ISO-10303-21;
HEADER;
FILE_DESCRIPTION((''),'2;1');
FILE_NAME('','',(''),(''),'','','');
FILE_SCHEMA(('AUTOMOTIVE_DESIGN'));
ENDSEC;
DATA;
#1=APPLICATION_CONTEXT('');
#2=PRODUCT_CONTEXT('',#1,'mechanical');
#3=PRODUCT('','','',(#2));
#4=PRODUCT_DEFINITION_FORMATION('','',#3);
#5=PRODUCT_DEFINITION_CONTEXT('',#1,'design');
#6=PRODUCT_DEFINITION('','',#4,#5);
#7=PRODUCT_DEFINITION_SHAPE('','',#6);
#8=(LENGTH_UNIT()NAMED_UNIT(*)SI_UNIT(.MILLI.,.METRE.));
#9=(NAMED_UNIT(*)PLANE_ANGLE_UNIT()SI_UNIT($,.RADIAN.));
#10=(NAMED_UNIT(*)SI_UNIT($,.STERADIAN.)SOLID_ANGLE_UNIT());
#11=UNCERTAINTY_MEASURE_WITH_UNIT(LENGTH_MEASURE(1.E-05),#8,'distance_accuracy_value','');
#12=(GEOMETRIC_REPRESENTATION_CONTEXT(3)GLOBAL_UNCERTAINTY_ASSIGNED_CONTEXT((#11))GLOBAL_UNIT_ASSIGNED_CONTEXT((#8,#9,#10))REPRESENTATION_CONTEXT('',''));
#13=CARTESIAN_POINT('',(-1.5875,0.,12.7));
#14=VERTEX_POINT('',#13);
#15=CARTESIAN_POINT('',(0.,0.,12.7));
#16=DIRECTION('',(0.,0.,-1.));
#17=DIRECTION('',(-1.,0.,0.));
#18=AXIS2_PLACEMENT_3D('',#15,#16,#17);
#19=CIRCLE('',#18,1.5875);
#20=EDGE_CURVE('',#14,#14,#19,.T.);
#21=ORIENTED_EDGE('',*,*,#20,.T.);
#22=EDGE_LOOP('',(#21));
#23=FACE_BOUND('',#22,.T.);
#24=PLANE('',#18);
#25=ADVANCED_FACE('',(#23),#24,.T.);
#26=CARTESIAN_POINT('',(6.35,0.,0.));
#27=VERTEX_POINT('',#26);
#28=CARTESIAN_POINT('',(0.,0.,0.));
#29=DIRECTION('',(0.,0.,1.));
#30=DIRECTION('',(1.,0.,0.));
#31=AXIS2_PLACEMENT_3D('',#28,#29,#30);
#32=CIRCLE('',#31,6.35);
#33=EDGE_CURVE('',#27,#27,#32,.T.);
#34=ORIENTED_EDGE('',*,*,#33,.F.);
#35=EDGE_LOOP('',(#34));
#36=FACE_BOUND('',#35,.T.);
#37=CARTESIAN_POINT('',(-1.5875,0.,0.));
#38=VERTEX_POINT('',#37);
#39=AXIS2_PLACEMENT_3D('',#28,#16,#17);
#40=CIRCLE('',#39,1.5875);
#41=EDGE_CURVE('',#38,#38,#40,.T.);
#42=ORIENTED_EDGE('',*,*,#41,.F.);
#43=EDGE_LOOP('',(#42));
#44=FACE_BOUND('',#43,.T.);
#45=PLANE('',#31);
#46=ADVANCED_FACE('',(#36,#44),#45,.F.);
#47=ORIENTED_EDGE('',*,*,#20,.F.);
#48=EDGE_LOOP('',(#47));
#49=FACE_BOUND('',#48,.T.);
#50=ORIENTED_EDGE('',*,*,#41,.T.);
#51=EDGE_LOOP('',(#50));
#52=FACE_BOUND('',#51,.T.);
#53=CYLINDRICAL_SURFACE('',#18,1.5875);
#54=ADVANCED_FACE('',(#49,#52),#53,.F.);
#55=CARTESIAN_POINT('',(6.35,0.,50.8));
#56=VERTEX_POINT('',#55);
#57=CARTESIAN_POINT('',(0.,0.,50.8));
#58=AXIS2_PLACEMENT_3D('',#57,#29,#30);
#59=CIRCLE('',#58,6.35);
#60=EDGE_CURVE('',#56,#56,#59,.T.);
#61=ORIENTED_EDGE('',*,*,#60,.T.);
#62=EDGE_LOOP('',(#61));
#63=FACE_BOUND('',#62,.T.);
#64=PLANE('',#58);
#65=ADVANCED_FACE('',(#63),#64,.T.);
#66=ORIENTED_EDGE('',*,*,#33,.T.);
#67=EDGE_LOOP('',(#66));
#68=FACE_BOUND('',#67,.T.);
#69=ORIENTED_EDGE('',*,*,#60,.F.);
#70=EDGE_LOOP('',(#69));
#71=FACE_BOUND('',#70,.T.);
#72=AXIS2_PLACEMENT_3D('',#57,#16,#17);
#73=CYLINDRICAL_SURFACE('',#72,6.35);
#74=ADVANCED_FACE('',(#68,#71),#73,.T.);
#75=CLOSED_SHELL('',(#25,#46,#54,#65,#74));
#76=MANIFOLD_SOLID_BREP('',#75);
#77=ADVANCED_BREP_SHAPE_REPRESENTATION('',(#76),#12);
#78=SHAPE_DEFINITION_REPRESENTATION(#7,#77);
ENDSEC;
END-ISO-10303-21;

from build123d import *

# Parameters (mm, degrees)
SKETCH1_R           = 6.35
BOSS_EXTRUDE1_DEPTH = 50.8
SKETCH2_R           = 1.5875
CUT_EXTRUDE1_DEPTH  = 12.7


with BuildPart() as part:
    # Sketch1 → Boss-Extrude1 (new body)
    with BuildSketch(Plane.XY):
        Circle(SKETCH1_R)
    extrude(amount=BOSS_EXTRUDE1_DEPTH)

    # Sketch2 → Cut-Extrude1 (cut)
    with BuildSketch(Plane(origin=(0, 0, 0), x_dir=(-1, 0, 0), z_dir=(0, 0, -1))):
        Circle(SKETCH2_R)
    extrude(amount=-CUT_EXTRUDE1_DEPTH, mode=Mode.SUBTRACT)


solid = part.part
